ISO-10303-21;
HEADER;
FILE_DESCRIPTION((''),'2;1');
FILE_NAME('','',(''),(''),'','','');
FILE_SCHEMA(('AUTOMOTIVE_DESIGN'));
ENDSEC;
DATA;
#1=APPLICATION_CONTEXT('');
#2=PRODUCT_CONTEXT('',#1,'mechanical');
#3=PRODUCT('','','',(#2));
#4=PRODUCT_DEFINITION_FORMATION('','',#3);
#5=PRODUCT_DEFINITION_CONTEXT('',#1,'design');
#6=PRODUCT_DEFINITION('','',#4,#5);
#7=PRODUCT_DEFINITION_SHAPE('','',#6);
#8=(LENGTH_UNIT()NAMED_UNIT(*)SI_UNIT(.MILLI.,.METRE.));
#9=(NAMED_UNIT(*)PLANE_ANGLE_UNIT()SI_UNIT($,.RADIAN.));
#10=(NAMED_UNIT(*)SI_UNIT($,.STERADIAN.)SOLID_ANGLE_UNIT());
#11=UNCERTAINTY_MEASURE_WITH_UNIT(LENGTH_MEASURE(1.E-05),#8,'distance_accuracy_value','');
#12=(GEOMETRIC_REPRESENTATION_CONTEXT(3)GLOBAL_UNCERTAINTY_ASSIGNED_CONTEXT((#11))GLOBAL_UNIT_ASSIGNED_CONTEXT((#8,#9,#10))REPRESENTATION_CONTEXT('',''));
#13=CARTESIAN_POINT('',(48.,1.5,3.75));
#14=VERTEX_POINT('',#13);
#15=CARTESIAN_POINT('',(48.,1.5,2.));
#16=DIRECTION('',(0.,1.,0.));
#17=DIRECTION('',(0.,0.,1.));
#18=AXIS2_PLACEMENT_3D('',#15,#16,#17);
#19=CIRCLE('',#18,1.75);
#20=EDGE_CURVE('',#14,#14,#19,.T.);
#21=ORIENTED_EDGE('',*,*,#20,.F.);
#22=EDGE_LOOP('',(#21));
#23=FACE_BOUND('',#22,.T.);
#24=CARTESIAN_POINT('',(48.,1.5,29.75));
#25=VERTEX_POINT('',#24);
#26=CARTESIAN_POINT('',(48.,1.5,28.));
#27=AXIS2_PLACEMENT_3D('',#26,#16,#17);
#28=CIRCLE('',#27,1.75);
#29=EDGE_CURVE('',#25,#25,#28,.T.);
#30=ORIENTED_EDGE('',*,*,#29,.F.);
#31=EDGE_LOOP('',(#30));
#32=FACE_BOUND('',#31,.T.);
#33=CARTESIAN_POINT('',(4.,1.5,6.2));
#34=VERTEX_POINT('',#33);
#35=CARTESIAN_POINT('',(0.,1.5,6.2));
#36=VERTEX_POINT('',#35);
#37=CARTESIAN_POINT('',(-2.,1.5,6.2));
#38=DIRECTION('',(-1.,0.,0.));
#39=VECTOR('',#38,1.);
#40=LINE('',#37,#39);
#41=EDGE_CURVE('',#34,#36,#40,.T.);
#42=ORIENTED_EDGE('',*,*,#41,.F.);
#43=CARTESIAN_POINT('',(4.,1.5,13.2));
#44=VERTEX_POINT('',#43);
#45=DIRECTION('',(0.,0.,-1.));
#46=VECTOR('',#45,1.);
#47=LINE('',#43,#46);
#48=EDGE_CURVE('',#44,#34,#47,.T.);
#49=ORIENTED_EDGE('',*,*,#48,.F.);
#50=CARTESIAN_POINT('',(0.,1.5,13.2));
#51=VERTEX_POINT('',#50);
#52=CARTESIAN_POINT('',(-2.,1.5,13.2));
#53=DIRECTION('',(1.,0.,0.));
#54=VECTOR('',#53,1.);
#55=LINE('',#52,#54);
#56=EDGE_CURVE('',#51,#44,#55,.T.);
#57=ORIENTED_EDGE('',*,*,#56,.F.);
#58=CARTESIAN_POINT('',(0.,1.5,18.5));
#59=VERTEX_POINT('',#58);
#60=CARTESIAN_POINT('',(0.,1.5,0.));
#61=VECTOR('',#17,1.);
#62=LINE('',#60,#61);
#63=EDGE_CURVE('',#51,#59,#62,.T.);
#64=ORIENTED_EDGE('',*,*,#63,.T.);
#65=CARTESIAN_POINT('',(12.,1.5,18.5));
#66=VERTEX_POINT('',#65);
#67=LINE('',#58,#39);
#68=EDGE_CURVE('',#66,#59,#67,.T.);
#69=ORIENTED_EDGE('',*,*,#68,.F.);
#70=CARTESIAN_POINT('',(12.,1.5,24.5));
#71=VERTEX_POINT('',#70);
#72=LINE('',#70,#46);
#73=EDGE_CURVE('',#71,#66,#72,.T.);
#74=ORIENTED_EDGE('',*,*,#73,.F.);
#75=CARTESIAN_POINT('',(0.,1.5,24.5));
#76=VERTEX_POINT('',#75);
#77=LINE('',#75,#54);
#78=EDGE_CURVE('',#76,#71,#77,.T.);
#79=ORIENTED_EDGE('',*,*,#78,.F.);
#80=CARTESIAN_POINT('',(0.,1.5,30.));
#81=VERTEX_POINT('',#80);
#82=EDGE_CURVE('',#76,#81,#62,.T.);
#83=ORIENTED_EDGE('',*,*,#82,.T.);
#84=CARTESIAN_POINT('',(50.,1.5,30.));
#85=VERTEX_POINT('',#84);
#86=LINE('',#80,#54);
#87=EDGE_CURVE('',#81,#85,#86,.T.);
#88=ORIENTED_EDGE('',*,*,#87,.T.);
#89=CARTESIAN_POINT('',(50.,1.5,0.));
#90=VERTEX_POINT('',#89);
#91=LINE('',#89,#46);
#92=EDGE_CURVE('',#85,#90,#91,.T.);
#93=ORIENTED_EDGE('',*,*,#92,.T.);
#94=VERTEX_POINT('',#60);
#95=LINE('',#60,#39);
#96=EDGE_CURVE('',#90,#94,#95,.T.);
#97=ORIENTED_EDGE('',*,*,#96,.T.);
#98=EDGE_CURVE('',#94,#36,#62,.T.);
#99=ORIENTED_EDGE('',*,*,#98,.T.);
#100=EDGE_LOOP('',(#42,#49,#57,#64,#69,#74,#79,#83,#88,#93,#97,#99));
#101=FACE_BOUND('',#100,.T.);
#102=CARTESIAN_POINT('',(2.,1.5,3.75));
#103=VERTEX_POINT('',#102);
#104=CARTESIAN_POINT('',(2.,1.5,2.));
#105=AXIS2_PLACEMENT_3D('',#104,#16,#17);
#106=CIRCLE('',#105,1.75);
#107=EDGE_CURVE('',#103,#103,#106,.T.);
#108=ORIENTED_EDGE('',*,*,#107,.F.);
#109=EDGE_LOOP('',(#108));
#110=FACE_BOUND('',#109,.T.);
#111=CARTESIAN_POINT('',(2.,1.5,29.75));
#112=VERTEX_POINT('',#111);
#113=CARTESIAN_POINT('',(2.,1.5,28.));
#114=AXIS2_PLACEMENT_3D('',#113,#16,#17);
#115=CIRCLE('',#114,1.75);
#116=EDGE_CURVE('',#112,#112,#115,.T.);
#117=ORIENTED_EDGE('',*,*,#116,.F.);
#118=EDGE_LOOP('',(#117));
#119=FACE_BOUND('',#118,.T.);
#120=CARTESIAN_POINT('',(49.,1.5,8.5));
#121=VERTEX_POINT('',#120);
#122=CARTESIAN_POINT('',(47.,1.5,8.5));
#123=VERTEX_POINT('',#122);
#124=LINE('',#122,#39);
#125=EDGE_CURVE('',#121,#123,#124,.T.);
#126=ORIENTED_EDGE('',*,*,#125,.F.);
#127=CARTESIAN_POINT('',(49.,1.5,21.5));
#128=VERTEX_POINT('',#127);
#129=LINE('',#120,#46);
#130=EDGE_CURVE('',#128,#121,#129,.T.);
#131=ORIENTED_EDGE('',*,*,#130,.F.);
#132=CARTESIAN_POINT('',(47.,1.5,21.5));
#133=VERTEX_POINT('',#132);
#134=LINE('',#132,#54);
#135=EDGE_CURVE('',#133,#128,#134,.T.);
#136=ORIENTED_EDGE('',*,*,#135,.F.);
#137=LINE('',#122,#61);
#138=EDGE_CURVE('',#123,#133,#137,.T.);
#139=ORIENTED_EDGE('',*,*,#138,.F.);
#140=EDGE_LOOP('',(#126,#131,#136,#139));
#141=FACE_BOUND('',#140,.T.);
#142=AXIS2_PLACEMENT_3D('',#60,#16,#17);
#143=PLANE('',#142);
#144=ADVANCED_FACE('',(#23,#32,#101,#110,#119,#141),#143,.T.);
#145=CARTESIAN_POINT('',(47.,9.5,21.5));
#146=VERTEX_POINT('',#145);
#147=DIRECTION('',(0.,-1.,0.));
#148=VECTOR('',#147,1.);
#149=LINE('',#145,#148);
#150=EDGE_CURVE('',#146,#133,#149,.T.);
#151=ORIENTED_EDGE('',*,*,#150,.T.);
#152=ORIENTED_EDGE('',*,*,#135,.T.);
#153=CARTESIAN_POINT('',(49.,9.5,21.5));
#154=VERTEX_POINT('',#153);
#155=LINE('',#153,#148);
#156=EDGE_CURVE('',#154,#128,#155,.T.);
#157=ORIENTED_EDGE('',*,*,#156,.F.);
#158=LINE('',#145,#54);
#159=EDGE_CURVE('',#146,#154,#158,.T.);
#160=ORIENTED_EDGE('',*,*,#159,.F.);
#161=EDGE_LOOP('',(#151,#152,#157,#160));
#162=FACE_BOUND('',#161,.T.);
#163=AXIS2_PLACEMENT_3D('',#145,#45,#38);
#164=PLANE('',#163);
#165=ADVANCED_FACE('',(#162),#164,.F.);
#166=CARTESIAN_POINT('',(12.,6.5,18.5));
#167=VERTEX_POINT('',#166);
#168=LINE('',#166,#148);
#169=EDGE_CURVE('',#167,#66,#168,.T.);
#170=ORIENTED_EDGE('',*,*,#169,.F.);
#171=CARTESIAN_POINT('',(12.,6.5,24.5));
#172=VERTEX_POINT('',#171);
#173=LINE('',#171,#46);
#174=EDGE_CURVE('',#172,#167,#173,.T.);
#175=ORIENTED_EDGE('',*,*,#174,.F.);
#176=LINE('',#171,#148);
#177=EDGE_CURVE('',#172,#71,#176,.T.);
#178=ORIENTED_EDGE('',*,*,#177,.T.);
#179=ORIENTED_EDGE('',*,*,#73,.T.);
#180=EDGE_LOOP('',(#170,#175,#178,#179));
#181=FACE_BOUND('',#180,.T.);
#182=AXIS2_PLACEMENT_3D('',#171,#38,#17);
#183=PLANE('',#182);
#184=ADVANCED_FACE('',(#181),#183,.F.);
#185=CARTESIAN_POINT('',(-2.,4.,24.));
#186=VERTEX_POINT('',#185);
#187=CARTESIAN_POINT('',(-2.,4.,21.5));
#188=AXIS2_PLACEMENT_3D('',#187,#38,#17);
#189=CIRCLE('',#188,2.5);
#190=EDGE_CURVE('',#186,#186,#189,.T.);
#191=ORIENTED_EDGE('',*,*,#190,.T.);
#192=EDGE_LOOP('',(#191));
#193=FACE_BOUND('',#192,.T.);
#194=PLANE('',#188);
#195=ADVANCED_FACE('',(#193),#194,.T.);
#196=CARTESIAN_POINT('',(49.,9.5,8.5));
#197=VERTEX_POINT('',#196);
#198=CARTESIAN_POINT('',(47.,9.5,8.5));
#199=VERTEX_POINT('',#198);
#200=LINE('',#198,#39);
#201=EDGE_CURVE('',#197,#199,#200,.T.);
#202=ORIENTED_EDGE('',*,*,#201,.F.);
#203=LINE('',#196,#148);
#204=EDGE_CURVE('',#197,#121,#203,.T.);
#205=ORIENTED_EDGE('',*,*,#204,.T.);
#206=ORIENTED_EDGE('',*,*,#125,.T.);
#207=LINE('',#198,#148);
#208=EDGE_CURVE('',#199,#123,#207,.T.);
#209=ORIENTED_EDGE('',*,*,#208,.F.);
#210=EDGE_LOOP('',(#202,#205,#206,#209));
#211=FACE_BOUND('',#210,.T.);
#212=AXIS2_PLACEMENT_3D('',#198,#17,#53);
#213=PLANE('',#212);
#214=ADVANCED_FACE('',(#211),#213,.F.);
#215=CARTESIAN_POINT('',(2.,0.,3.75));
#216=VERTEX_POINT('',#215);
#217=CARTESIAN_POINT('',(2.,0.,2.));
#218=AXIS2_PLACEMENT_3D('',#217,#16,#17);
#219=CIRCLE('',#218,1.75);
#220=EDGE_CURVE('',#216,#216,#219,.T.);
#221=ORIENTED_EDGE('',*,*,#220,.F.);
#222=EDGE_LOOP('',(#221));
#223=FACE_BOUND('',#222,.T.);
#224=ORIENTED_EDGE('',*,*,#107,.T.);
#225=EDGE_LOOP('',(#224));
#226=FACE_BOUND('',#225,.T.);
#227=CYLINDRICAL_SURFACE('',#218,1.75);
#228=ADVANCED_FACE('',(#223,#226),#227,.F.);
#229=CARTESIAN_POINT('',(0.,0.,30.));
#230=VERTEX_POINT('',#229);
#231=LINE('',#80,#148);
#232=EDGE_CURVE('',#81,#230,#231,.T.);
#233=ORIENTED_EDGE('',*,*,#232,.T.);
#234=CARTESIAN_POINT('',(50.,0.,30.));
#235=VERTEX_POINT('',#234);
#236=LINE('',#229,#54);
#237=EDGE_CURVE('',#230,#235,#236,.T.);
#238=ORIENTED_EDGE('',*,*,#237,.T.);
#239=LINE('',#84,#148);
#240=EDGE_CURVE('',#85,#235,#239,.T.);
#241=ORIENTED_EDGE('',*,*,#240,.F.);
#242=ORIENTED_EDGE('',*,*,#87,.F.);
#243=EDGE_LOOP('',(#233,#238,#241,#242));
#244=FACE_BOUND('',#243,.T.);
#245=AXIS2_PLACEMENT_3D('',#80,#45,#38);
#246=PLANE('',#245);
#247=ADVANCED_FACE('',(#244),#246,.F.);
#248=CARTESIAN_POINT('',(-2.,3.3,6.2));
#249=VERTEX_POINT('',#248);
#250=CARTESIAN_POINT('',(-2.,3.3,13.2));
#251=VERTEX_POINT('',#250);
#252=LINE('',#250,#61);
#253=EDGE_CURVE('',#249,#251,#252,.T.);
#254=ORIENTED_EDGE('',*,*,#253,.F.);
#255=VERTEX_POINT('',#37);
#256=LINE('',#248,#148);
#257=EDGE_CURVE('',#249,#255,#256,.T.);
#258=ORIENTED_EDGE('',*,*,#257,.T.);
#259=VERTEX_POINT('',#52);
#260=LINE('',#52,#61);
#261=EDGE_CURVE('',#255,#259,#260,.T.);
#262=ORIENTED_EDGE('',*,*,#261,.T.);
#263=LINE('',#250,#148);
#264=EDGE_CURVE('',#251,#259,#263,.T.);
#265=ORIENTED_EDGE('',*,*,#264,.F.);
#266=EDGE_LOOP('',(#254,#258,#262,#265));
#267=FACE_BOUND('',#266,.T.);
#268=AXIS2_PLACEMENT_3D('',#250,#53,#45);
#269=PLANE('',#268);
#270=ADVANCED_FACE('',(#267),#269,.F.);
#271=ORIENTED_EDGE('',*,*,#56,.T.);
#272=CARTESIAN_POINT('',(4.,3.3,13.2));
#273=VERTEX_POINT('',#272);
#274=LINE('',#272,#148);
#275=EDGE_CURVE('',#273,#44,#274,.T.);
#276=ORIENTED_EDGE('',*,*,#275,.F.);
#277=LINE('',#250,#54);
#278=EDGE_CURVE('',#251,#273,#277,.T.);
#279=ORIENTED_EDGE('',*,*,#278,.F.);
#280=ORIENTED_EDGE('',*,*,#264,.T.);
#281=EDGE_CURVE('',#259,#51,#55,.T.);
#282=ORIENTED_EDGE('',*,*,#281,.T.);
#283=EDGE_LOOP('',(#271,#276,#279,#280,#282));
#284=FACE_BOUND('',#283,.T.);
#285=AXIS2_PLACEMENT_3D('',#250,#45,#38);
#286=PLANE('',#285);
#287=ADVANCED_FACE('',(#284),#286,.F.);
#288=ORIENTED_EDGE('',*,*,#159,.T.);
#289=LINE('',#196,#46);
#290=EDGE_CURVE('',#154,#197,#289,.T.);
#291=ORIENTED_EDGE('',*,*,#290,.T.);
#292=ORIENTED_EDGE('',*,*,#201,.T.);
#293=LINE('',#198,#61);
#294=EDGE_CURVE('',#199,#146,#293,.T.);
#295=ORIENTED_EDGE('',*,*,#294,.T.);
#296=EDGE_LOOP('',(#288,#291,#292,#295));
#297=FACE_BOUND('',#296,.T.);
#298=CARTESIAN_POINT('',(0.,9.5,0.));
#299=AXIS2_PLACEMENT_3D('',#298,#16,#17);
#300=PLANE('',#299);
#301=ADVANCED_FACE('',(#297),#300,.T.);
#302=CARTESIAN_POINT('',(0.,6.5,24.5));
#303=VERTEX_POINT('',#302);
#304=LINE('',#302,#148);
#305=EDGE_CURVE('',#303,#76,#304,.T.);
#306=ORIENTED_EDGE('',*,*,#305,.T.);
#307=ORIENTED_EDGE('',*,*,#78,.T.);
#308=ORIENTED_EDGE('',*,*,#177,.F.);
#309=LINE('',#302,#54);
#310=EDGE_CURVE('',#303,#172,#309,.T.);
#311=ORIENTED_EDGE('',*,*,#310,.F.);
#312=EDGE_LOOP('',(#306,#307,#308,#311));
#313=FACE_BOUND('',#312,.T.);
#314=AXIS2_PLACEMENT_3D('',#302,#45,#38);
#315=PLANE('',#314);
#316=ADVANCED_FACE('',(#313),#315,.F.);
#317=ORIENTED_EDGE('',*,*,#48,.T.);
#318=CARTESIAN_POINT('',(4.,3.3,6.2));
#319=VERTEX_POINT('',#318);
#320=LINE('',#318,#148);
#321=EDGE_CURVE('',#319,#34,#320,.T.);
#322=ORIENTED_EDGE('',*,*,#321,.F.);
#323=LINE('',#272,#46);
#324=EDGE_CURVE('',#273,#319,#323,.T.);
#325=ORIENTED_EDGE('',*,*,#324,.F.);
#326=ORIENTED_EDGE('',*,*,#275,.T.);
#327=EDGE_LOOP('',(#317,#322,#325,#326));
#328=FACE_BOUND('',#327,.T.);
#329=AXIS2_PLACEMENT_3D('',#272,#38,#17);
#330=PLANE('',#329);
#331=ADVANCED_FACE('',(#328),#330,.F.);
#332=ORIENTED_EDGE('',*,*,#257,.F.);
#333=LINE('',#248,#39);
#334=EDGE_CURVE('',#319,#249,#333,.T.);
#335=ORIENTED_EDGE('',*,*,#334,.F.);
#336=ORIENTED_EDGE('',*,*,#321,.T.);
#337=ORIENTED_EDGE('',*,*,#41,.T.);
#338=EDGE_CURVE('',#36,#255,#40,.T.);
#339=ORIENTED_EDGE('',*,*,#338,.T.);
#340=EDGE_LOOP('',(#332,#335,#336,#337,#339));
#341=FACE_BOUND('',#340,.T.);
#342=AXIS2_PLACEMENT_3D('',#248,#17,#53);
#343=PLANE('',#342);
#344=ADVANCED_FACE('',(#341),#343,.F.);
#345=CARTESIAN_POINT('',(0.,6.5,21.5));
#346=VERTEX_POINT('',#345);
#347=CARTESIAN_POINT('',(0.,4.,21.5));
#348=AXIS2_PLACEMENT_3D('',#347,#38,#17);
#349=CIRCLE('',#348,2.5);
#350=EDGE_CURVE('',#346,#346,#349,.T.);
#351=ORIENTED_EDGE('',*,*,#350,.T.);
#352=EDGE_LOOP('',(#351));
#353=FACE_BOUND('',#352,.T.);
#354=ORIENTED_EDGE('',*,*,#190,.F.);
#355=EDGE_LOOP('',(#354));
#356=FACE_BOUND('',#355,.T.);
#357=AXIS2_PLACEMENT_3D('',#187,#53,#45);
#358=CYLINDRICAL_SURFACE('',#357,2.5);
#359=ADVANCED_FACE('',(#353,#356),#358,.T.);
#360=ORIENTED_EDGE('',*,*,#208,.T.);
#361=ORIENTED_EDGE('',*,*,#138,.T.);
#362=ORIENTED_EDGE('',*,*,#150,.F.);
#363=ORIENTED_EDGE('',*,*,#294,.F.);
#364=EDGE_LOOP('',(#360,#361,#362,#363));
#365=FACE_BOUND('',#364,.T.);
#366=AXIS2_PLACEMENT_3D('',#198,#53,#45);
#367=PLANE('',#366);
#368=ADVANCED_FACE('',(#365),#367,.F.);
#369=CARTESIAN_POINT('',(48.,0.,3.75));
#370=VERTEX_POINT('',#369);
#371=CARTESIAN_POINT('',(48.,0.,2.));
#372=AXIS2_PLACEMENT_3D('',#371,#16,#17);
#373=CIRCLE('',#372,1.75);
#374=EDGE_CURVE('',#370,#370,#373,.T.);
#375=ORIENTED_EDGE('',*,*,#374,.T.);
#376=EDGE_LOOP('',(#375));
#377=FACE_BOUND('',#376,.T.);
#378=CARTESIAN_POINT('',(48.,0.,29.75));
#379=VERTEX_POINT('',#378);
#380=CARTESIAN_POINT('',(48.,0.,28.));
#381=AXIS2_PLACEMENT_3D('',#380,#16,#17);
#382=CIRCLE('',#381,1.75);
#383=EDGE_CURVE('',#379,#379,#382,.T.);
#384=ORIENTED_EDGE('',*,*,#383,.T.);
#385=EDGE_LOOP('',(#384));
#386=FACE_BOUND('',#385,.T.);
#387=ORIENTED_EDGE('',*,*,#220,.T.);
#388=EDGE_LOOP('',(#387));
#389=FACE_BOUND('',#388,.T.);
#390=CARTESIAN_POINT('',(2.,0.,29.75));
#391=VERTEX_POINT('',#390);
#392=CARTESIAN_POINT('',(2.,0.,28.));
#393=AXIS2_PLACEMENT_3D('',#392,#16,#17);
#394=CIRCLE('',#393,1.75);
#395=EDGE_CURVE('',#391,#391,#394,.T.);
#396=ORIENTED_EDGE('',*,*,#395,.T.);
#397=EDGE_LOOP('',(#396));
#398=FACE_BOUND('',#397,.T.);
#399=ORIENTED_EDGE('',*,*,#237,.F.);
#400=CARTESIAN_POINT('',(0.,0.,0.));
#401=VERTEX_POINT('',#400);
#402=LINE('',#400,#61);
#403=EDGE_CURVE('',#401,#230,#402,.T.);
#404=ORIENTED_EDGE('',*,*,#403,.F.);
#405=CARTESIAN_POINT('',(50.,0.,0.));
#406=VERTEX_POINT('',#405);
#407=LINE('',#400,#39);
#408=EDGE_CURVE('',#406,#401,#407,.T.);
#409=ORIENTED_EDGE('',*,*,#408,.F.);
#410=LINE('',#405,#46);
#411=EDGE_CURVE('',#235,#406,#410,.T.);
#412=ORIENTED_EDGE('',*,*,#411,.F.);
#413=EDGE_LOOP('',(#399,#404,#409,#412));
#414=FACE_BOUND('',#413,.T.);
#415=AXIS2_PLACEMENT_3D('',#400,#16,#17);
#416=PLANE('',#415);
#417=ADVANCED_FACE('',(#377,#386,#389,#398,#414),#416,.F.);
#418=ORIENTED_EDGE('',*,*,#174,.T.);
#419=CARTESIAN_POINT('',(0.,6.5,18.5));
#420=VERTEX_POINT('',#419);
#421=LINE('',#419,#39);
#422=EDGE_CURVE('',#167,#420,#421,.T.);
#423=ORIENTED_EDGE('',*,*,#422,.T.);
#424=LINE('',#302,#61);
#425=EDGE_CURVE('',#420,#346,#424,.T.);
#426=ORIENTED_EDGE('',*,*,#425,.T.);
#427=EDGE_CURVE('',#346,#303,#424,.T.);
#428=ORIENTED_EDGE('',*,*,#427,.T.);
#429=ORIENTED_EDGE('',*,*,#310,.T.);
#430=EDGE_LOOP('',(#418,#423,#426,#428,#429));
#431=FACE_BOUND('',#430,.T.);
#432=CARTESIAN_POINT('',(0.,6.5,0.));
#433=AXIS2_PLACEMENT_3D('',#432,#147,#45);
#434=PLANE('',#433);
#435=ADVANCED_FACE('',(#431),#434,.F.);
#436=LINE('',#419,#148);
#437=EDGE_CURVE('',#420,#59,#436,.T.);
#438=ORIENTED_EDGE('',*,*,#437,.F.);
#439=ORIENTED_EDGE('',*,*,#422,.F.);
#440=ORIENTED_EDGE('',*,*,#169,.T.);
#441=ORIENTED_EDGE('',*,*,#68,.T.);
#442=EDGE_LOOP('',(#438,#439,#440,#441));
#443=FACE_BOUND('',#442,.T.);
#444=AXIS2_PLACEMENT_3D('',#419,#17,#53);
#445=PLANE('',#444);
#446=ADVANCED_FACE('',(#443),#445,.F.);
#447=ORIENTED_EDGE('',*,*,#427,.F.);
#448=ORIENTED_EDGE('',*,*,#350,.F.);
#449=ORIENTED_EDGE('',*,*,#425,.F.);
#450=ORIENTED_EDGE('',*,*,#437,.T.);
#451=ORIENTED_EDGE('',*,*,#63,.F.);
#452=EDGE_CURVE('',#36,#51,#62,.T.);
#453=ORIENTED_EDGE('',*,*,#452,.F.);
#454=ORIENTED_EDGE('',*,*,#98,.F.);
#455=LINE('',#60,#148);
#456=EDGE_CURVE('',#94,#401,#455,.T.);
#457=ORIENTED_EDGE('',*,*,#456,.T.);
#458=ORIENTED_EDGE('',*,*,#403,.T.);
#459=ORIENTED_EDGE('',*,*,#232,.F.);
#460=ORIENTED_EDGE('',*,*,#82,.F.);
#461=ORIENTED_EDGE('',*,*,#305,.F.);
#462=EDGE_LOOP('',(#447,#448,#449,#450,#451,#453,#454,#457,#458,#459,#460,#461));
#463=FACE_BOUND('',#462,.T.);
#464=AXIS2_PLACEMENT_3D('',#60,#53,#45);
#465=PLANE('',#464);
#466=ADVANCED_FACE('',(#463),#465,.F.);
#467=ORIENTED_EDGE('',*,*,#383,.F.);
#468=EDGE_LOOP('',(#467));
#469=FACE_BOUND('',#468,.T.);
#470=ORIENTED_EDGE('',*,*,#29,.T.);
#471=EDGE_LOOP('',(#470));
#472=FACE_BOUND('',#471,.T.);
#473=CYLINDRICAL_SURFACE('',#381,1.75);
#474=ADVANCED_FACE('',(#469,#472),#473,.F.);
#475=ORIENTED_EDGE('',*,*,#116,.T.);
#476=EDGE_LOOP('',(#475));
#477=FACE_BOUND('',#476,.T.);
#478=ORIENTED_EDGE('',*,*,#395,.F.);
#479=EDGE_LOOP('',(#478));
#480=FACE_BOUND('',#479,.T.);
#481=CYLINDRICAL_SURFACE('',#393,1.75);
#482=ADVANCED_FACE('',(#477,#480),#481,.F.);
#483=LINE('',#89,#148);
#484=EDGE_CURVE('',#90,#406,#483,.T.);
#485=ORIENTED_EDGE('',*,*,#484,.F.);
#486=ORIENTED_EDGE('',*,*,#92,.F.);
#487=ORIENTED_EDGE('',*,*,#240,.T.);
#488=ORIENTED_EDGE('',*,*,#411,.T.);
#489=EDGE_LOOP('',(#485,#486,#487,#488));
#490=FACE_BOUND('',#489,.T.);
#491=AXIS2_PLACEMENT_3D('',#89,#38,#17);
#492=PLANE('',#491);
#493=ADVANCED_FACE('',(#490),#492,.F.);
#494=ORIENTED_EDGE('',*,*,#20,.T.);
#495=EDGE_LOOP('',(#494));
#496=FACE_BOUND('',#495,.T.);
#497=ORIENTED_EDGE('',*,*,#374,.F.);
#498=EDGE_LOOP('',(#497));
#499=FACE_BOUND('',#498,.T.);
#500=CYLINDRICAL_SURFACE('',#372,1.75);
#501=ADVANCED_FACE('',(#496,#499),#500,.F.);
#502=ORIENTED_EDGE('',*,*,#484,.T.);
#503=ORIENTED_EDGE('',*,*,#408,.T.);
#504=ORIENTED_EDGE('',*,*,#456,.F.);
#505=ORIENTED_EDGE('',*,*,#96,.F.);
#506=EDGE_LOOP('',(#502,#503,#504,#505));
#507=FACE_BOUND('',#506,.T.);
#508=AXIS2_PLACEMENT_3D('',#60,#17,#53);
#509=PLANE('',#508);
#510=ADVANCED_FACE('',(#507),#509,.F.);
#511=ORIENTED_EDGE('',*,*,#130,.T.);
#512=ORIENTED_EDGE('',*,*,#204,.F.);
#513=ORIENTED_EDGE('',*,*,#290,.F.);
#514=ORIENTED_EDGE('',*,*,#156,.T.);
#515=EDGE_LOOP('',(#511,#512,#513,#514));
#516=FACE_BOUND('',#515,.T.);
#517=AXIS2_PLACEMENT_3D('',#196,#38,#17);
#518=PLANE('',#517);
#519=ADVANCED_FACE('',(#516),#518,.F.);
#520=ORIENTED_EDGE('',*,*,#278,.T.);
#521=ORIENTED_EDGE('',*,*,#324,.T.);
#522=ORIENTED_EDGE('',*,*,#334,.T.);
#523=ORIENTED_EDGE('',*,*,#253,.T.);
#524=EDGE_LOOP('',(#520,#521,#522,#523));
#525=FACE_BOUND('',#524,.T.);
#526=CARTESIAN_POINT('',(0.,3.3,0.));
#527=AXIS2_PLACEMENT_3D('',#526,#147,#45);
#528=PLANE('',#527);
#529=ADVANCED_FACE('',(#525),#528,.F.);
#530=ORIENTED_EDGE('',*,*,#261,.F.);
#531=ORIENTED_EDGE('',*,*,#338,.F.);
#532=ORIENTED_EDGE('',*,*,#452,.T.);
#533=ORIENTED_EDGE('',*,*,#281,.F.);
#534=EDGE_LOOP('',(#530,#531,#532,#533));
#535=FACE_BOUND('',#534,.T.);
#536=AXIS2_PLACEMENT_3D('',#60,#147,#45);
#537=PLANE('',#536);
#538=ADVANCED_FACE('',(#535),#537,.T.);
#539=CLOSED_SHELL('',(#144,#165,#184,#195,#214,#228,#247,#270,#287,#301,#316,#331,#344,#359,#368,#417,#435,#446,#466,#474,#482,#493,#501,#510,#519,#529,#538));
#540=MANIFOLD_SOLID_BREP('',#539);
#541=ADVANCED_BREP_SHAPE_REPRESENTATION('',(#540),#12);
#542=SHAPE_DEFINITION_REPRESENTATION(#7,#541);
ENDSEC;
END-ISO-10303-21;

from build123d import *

# Parameters (mm, degrees)
SKETCH1_W           = 50
SKETCH1_H           = 30
BOSS_EXTRUDE1_DEPTH = 1.5
SKETCH2_R           = 1.75
CUT_EXTRUDE1_DEPTH  = 2.5
SKETCH3_W           = 2
SKETCH3_H           = 13
BOSS_EXTRUDE2_DEPTH = 8
SKETCH4_W           = 12
SKETCH4_H           = 6
BOSS_EXTRUDE3_DEPTH = 5
SKETCH5_R           = 2.5
BOSS_EXTRUDE4_DEPTH = 2
SKETCH6_W           = 6
SKETCH6_H           = 7
BOSS_EXTRUDE5_DEPTH = 1.8


with BuildPart() as part:
    # Sketch1 → Boss-Extrude1 (new body)
    with BuildSketch(Plane(origin=(0, 0, 0), x_dir=(1, 0, 0), z_dir=(0, 1, 0))):
        with Locations((25, -15)):
            Rectangle(SKETCH1_W, SKETCH1_H)
    extrude(amount=BOSS_EXTRUDE1_DEPTH)

    # Sketch2 → Cut-Extrude1 (cut, through all)
    with BuildSketch(Plane(origin=(0, 1.5, 0), x_dir=(1, 0, 0), z_dir=(0, 1, 0))):
        with Locations((48, -28)):
            Circle(SKETCH2_R)
        with Locations((48, -2)):
            Circle(SKETCH2_R)
        with Locations((2, -2)):
            Circle(SKETCH2_R)
        with Locations((2, -28)):
            Circle(SKETCH2_R)
    extrude(amount=-CUT_EXTRUDE1_DEPTH, mode=Mode.SUBTRACT)

    # Sketch3 → Boss-Extrude2 (add)
    with BuildSketch(Plane(origin=(0, 1.5, 0), x_dir=(1, 0, 0), z_dir=(0, 1, 0))):
        with Locations((48, -15)):
            Rectangle(SKETCH3_W, SKETCH3_H)
    extrude(amount=BOSS_EXTRUDE2_DEPTH)

    # Sketch4 → Boss-Extrude3 (add)
    with BuildSketch(Plane(origin=(0, 1.5, 0), x_dir=(1, 0, 0), z_dir=(0, 1, 0))):
        with Locations((6, -21.5)):
            Rectangle(SKETCH4_W, SKETCH4_H)
    extrude(amount=BOSS_EXTRUDE3_DEPTH)

    # Sketch5 → Boss-Extrude4 (add)
    with BuildSketch(Plane.ZY):
        with Locations((21.5, 4)):
            Circle(SKETCH5_R)
    extrude(amount=BOSS_EXTRUDE4_DEPTH)

    # Sketch6 → Boss-Extrude5 (add)
    with BuildSketch(Plane(origin=(0, 1.5, 0), x_dir=(1, 0, 0), z_dir=(0, 1, 0))):
        with Locations((1, -9.7)):
            Rectangle(SKETCH6_W, SKETCH6_H)
    extrude(amount=BOSS_EXTRUDE5_DEPTH)


solid = part.part
